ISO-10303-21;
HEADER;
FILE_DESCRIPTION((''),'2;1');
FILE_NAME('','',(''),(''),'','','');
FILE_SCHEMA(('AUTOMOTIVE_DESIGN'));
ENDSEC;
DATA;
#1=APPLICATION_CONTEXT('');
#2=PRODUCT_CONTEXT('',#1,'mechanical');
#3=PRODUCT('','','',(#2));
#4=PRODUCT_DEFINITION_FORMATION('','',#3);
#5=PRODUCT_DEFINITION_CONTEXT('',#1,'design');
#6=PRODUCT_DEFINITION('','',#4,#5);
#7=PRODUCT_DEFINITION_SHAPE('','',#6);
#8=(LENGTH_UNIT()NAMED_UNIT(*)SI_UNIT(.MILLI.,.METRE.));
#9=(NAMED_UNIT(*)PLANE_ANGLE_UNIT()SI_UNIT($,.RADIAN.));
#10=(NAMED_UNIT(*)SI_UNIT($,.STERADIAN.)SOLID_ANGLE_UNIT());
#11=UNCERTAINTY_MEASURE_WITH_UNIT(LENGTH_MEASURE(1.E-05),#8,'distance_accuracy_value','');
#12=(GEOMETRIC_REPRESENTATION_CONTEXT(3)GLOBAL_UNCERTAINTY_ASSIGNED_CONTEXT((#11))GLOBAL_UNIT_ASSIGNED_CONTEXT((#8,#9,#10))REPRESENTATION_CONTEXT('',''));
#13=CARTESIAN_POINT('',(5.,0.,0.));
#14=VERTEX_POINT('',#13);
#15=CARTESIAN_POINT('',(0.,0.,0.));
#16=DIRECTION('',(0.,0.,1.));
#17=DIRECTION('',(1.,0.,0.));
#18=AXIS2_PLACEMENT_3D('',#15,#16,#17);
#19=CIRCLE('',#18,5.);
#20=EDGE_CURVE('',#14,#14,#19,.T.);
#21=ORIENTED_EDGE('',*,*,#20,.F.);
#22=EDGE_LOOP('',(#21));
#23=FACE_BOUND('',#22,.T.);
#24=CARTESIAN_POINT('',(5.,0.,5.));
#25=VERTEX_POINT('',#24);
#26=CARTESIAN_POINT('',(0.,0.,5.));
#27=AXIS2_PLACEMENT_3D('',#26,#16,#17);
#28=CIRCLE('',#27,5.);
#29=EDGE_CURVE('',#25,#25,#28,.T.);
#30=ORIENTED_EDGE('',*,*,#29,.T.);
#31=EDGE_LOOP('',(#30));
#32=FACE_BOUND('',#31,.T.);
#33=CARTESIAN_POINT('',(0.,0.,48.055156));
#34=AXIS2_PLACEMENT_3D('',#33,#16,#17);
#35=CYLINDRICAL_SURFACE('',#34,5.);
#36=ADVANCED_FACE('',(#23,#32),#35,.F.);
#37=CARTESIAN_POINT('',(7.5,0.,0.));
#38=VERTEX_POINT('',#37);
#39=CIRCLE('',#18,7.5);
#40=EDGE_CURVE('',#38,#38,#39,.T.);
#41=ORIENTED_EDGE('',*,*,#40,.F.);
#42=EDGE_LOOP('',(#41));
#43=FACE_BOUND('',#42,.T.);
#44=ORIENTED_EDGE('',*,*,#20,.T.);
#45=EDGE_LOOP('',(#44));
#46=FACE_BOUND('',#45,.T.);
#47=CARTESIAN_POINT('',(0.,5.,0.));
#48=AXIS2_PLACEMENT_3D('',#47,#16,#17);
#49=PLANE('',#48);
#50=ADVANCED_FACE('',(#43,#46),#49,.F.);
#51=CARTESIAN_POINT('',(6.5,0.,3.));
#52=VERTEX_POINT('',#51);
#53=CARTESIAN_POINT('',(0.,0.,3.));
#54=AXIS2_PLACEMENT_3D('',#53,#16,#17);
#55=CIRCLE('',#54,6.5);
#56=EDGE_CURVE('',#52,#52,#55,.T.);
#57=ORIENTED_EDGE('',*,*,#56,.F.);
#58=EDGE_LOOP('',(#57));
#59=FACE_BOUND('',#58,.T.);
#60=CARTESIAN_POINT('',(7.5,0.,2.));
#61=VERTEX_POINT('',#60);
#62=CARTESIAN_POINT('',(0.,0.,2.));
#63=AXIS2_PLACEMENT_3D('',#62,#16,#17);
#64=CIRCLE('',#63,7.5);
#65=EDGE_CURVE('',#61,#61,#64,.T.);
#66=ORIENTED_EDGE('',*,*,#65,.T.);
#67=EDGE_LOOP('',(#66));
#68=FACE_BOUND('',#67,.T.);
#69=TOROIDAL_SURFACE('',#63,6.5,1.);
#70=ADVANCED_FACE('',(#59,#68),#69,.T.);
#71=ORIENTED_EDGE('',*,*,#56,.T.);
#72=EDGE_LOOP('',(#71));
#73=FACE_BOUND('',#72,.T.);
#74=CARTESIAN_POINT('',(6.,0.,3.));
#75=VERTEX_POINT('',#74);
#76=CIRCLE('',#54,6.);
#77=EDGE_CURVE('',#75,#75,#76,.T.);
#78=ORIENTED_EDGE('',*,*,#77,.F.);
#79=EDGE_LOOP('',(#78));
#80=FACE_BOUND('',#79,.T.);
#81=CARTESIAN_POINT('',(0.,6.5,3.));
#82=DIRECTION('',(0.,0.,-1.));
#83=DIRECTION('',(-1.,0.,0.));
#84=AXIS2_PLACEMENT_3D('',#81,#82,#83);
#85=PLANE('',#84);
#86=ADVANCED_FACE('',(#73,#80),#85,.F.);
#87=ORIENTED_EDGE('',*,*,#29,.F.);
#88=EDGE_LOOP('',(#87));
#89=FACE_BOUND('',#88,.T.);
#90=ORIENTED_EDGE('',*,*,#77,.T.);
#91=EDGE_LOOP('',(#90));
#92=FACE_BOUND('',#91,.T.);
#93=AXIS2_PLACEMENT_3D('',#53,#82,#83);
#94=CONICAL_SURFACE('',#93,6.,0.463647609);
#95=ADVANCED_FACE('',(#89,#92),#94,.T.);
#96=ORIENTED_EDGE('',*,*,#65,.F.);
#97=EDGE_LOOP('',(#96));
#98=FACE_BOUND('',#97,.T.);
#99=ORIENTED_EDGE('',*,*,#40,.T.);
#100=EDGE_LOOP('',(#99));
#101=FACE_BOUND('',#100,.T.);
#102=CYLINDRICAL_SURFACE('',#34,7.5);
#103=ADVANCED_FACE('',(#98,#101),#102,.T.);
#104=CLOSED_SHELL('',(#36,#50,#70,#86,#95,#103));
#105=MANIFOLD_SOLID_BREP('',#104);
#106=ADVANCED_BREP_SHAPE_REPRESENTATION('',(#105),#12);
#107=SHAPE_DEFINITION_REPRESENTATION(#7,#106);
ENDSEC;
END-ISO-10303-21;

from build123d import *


with BuildPart() as part:
    # Schizzo1 → Rivoluzione1 (revolve)
    with BuildSketch(Plane(origin=(0, 0, 0), x_dir=(0, 0, -1), z_dir=(1, 0, 0)), mode=Mode.PRIVATE) as rivoluzione1_sk:
        with BuildLine():
            Line((0, 5), (0, 7.5))
            Line((0, 7.5), (-2, 7.5))
            ThreePointArc((-2, 7.5), (-2.707106781, 7.207106781), (-3, 6.5))
            Line((-3, 6.5), (-3, 6))
            Line((-3, 6), (-5, 5))
            Line((-5, 5), (0, 5))
        make_face()
    revolve(rivoluzione1_sk.sketch.rotate(Axis((0, 0, 48.055155589), (0, 0, -1)), 90), axis=Axis((0, 0, 48.055155589), (0, 0, -1)))


solid = part.part
